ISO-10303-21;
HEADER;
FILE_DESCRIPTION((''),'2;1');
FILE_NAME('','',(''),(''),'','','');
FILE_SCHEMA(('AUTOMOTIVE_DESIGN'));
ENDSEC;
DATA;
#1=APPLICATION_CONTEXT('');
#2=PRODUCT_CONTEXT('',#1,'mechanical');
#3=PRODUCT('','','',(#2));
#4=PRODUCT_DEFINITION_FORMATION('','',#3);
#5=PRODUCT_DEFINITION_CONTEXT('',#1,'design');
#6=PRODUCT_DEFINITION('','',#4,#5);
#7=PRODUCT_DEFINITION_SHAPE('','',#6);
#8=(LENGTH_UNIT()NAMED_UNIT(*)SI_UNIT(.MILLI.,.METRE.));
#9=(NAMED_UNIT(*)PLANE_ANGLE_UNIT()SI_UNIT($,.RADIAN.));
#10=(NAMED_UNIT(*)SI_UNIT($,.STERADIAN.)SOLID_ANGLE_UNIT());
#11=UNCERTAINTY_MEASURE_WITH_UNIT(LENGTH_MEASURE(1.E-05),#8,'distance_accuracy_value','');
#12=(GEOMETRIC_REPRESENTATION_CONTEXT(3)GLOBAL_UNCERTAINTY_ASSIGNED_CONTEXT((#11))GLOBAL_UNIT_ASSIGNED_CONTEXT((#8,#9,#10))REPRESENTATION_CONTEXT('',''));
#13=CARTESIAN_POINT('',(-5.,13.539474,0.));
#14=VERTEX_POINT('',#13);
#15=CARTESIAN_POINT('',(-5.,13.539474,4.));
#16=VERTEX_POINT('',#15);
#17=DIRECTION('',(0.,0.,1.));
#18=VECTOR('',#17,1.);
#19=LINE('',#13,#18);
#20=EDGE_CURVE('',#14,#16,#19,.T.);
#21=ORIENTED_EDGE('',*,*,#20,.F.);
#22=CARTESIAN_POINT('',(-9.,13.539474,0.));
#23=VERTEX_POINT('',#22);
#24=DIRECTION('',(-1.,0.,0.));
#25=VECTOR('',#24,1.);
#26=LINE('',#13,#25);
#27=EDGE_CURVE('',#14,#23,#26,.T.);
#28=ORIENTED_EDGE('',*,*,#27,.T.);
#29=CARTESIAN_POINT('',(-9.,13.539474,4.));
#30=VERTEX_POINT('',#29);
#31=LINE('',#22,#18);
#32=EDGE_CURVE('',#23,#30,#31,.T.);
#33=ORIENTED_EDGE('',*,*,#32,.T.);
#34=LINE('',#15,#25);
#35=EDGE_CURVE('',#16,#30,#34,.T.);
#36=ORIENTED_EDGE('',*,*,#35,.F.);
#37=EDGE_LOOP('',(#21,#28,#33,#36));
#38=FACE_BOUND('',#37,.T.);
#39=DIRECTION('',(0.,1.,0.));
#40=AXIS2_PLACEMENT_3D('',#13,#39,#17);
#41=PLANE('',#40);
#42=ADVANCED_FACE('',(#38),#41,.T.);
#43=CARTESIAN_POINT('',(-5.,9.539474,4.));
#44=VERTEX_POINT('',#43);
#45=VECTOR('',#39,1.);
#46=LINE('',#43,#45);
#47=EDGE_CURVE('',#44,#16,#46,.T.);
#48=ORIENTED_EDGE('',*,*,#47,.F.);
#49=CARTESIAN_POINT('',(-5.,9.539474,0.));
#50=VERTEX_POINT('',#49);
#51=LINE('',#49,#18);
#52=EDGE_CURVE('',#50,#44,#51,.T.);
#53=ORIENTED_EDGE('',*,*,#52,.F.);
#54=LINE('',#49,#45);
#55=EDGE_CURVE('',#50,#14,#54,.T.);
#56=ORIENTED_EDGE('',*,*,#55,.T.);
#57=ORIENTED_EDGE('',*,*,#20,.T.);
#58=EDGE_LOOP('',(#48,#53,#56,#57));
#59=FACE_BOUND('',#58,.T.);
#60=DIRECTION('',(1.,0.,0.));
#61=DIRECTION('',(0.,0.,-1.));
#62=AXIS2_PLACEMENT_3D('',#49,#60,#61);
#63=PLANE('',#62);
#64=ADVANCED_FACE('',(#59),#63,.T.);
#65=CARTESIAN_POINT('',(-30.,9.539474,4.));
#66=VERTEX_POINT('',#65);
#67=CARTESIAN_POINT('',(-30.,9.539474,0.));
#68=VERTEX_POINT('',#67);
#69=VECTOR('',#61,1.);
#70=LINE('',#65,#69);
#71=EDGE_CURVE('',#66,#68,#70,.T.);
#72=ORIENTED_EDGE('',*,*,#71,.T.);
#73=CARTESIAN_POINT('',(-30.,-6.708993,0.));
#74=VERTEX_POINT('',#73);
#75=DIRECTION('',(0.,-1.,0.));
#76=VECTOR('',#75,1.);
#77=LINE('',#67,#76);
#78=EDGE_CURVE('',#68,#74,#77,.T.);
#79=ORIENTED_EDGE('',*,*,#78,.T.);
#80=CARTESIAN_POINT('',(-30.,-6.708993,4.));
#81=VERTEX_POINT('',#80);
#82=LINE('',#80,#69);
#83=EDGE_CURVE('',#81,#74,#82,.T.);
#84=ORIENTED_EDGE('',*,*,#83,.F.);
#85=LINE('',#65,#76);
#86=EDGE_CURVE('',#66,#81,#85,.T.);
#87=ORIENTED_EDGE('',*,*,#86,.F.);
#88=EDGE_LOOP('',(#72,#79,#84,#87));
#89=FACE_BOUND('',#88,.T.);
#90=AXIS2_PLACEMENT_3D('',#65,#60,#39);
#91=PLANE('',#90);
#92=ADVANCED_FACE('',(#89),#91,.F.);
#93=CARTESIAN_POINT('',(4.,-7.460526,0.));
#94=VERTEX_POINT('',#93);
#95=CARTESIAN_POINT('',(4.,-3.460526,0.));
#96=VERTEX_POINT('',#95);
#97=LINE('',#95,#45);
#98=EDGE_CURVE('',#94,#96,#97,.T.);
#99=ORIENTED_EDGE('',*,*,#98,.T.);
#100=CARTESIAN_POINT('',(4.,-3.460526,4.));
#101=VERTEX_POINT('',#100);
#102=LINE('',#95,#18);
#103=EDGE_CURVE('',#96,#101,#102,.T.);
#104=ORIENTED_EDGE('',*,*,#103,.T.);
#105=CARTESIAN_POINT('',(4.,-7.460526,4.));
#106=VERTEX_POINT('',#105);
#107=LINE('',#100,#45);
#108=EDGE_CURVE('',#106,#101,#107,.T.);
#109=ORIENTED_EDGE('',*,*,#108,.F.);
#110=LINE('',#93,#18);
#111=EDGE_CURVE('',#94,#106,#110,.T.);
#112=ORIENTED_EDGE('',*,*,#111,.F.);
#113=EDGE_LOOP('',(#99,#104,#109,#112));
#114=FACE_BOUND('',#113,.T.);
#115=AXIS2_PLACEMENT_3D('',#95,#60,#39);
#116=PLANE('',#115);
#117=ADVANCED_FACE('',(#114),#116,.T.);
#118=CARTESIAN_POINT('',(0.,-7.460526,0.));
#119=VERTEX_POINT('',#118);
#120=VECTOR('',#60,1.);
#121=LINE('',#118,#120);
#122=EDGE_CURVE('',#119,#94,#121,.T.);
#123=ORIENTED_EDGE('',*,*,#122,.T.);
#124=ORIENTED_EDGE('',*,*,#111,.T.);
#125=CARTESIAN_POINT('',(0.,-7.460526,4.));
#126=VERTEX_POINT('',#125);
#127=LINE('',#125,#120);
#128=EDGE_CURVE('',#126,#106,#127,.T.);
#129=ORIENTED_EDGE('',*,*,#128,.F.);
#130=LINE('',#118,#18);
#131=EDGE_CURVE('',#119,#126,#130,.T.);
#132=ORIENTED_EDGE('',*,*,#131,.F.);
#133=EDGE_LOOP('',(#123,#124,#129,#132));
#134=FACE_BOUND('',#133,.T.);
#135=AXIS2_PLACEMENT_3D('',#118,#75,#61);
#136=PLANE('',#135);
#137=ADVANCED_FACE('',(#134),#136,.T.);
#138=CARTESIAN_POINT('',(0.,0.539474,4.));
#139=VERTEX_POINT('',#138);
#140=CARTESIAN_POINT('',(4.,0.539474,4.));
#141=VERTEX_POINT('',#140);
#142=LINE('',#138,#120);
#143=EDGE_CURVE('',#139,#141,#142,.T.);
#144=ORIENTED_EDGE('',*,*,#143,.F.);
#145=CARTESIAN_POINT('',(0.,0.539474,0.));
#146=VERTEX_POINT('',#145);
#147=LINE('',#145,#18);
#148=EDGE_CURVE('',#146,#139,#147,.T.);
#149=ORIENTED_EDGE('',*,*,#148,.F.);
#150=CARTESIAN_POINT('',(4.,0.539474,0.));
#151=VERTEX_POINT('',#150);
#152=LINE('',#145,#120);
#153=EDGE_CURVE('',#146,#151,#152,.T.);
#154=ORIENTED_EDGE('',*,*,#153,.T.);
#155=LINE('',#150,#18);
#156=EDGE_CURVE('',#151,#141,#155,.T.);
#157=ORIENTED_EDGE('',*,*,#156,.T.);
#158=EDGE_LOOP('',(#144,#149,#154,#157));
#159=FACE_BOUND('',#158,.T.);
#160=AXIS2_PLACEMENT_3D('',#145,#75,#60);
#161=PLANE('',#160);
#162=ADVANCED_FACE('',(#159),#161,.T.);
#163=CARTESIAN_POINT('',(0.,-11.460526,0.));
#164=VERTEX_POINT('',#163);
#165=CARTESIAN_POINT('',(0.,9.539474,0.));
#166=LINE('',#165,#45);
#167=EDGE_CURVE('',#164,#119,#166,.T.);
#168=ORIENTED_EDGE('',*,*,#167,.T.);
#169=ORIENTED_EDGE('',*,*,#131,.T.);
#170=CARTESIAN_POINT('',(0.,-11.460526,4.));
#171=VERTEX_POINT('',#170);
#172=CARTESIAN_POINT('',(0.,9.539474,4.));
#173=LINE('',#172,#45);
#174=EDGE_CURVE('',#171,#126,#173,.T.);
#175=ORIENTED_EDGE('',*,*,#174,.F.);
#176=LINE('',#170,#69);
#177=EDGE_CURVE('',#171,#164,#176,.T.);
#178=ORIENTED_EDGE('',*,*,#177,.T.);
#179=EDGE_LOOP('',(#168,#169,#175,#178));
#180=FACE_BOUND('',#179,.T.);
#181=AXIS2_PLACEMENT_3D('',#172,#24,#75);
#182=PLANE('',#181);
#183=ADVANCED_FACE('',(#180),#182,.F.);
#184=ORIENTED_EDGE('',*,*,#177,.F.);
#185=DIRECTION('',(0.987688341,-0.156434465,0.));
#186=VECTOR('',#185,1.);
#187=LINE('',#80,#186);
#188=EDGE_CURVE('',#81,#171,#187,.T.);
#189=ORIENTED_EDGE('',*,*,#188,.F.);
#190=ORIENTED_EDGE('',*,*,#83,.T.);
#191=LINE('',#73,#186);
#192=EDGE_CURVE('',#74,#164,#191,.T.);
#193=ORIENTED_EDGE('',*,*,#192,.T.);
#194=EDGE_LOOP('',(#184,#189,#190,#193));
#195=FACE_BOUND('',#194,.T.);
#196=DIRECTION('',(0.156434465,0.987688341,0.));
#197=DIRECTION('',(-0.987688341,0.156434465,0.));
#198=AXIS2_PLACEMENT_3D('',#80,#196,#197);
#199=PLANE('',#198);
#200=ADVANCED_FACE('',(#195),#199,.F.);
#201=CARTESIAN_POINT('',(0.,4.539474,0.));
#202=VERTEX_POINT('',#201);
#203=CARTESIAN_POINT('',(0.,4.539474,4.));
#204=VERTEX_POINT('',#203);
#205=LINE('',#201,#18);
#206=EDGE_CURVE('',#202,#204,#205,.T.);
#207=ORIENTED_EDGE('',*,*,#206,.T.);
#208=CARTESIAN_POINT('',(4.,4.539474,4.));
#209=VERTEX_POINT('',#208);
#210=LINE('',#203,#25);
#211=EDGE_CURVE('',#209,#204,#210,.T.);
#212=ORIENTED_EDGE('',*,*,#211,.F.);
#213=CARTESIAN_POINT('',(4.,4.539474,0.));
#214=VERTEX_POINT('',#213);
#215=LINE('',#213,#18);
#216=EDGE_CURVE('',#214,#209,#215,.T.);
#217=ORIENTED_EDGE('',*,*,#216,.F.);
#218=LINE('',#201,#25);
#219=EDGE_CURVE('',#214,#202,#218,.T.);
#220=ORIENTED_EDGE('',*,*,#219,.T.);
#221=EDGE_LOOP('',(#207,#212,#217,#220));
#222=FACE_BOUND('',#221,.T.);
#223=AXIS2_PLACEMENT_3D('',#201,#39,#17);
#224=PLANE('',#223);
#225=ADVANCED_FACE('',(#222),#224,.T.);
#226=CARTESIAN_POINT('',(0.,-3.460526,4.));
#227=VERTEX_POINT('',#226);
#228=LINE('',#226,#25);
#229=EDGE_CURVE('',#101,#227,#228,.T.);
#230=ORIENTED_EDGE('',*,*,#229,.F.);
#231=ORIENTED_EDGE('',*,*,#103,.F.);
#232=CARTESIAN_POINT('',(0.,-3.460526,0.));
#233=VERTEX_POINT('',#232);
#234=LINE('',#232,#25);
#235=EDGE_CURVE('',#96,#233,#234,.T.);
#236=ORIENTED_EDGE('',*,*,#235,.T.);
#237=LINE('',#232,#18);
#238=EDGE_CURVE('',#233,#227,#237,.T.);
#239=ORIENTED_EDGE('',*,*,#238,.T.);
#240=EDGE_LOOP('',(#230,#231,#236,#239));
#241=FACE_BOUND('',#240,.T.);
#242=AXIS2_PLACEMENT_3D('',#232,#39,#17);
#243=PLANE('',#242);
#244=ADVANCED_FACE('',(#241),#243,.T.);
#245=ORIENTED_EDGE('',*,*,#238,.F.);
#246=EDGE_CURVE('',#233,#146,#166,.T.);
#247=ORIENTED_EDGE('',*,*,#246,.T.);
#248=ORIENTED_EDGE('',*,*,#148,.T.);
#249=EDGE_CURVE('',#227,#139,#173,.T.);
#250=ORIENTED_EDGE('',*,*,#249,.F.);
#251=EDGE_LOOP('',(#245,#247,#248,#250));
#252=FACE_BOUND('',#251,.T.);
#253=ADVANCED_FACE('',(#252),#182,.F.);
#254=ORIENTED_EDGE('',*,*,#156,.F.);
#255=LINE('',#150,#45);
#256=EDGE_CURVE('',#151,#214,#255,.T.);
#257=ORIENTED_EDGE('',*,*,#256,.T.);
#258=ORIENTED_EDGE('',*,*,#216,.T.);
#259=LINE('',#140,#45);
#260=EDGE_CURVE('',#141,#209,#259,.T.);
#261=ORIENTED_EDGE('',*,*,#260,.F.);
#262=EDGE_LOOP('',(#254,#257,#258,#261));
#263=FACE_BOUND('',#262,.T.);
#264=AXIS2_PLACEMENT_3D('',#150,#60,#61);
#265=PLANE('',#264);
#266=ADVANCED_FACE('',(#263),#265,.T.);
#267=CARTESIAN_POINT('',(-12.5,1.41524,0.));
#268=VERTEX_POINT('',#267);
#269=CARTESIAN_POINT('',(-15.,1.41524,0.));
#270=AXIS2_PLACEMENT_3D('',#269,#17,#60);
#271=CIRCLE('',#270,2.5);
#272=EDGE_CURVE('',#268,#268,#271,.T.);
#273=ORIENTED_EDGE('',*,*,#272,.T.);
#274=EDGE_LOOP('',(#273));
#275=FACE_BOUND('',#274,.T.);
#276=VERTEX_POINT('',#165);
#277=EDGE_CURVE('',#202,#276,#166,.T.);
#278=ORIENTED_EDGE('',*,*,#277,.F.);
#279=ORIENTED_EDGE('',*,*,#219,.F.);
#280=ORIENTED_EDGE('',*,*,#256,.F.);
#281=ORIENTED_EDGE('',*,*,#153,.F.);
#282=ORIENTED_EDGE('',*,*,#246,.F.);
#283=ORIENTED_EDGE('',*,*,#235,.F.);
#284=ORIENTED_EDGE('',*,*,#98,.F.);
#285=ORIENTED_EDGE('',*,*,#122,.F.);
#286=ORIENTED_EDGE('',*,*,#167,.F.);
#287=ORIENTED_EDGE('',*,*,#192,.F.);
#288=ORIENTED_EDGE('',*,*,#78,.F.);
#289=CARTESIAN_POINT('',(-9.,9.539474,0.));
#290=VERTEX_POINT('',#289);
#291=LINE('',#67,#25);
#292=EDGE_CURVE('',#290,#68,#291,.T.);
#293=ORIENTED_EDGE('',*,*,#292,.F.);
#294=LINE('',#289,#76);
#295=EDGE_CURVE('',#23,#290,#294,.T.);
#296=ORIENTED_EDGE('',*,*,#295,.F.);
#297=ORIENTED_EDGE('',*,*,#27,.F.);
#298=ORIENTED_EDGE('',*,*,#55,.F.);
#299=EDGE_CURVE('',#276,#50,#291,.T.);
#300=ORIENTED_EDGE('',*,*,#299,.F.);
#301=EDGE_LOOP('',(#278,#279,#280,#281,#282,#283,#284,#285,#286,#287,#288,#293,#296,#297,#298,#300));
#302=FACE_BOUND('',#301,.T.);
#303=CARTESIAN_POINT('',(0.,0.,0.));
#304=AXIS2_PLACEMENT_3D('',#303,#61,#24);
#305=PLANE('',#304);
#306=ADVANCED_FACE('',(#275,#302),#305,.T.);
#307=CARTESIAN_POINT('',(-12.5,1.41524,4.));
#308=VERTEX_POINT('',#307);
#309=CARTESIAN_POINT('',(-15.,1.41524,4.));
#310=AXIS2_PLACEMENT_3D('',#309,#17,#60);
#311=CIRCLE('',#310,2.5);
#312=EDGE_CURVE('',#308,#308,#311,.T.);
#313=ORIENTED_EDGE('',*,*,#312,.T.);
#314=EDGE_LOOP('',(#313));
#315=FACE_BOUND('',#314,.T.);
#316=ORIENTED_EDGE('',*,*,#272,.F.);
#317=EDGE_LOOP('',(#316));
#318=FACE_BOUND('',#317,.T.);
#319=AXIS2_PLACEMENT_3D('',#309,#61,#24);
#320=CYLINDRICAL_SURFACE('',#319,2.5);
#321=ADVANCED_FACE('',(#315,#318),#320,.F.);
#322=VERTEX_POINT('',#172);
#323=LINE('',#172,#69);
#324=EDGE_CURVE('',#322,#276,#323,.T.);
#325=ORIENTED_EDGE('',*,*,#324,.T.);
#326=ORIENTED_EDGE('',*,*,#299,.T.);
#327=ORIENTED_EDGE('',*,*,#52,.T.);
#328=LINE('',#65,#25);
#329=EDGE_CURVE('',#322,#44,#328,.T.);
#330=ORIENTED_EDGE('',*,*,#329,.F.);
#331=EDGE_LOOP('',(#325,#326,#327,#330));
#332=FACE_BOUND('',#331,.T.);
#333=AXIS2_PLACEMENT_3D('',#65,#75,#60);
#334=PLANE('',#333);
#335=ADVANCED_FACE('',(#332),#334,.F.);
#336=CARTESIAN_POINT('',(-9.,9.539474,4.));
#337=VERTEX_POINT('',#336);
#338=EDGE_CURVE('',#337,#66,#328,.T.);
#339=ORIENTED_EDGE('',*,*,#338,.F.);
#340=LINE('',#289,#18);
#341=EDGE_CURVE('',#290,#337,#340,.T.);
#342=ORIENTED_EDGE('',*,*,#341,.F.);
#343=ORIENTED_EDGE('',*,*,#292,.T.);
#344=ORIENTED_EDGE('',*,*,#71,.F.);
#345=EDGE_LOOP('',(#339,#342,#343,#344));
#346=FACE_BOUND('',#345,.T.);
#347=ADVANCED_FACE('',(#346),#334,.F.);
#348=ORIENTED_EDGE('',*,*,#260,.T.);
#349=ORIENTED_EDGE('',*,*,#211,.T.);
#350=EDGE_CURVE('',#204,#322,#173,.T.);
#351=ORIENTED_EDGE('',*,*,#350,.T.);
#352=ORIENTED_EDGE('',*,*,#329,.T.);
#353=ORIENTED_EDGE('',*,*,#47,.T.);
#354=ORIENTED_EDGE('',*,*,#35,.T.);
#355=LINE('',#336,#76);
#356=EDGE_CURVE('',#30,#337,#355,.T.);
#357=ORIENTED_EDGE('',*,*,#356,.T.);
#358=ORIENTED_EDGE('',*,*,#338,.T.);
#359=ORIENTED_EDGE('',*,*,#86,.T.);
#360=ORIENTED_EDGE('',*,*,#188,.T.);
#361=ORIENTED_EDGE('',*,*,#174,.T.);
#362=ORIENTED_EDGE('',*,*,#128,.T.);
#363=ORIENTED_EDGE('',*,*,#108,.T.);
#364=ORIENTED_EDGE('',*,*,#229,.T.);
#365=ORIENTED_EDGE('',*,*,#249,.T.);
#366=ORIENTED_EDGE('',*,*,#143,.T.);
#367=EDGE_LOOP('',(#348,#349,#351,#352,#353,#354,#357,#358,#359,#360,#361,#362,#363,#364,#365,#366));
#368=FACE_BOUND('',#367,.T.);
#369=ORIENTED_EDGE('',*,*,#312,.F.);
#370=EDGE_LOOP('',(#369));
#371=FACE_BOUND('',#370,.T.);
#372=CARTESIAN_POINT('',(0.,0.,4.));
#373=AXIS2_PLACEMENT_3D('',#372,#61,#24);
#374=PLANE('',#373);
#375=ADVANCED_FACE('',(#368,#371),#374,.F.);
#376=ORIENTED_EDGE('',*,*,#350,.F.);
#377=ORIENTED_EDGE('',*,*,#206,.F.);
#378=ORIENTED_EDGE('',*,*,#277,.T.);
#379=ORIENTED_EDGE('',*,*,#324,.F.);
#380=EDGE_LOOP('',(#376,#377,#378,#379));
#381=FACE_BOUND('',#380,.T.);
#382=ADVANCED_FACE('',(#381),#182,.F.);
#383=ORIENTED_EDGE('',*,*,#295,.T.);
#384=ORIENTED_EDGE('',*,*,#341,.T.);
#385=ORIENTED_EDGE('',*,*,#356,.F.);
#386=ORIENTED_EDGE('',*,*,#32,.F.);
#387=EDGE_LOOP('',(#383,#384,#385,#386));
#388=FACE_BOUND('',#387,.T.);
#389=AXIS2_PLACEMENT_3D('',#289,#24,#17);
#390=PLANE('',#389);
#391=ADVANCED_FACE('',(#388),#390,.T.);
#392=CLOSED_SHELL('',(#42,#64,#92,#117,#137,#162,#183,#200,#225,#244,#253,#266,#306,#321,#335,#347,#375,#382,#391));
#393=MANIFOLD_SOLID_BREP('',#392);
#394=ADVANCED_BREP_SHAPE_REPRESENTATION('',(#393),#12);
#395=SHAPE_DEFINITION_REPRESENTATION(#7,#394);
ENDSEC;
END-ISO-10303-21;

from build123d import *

# Parameters (mm, degrees)
SKETCH1_R           = 2.5
BOSS_EXTRUDE1_DEPTH = 4
SKETCH2_W           = 4
SKETCH2_H           = 4
BOSS_EXTRUDE2_DEPTH = 4


with BuildPart() as part:
    # Sketch1 → Boss-Extrude1 (new body)
    with BuildSketch(Plane.XY):
        Polygon((0, 9.539473684), (0, -11.460526316), (-30, -6.708993106), (-30, 9.539473684), align=None)
        with Locations((-15, 1.415240289)):
            Circle(SKETCH1_R, mode=Mode.SUBTRACT)
    extrude(amount=BOSS_EXTRUDE1_DEPTH)

    # Sketch2 → Boss-Extrude2 (add)
    with BuildSketch(Plane.XY.offset(4)):
        with Locations((2, 2.539473684)):
            Rectangle(SKETCH2_W, SKETCH2_H)
        with Locations((-7, 11.539473684)):
            Rectangle(SKETCH2_W, SKETCH2_H)
        with Locations((2, -5.460526316)):
            Rectangle(SKETCH2_W, SKETCH2_H)
    extrude(amount=-BOSS_EXTRUDE2_DEPTH)


solid = part.part
